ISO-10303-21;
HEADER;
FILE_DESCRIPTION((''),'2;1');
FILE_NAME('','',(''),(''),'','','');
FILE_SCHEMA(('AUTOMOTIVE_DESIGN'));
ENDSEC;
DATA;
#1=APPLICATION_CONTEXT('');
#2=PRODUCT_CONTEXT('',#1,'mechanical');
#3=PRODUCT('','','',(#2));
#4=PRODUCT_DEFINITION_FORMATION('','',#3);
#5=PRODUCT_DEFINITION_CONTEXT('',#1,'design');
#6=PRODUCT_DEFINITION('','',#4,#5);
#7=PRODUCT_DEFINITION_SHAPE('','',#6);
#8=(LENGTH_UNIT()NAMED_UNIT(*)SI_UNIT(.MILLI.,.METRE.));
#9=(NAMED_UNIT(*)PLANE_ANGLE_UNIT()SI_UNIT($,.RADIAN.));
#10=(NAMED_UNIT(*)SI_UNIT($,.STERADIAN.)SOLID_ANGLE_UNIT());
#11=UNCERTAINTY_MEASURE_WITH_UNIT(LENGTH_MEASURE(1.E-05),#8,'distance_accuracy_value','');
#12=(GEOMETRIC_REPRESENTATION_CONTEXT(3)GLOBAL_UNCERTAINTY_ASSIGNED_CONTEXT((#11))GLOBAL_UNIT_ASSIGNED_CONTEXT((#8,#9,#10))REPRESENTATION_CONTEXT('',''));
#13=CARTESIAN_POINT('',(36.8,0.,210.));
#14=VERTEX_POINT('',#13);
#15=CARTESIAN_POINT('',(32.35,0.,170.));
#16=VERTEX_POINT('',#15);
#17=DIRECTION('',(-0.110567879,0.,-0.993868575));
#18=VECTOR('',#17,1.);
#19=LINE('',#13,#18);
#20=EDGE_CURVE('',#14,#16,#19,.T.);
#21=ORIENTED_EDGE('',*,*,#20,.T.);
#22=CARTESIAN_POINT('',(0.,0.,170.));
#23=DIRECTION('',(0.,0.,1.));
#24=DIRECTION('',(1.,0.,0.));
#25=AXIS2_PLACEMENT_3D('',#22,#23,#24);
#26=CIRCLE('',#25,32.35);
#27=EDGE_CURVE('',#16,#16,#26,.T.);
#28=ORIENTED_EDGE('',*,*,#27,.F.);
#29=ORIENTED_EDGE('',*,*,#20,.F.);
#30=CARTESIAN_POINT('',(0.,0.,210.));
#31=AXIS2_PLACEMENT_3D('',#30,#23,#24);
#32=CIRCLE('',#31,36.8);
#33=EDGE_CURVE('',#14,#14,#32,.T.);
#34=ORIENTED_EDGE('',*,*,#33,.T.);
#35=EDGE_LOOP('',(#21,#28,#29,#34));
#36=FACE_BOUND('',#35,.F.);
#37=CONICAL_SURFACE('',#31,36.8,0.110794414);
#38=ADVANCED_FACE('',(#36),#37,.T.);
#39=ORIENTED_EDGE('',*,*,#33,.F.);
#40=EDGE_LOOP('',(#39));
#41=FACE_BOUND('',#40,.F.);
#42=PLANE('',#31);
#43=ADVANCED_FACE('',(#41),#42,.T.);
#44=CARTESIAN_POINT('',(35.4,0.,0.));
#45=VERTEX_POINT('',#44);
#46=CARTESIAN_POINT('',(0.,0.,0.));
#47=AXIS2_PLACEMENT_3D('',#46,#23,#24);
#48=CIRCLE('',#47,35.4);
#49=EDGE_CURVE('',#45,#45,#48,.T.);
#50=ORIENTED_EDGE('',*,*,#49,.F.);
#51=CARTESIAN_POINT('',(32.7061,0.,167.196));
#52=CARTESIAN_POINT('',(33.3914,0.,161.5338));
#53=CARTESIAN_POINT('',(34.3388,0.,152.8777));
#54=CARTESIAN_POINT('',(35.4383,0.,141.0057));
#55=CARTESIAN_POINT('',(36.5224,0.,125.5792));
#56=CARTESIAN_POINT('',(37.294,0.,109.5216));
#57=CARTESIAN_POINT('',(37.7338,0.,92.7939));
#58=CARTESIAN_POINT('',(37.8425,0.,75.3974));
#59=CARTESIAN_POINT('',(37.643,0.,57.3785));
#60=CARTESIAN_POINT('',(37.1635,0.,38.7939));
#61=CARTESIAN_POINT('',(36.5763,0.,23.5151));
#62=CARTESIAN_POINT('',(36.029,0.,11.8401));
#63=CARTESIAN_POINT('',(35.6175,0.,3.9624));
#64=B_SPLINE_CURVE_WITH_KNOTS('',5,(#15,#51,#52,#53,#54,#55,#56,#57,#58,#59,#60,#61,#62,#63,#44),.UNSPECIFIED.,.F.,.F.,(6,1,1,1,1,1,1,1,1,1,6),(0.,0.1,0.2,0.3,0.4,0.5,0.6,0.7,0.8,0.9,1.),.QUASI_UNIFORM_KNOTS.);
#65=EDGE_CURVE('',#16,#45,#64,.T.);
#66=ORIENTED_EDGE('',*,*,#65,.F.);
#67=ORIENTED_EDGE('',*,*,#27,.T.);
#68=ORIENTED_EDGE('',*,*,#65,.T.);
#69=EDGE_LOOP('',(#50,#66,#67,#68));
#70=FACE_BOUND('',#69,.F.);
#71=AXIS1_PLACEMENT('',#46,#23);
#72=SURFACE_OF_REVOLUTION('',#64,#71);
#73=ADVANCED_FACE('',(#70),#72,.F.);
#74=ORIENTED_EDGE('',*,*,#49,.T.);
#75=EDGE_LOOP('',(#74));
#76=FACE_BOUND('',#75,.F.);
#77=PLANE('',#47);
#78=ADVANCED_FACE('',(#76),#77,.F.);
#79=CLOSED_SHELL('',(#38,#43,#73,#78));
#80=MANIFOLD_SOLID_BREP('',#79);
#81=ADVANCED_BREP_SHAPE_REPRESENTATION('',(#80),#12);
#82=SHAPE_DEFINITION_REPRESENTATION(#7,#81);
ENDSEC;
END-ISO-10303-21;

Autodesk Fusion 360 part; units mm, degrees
sketch "Sketch2" plane through (0, 0, 0) normal (0, 1, 0) x (1, 0, 0)
  line L0 (0, 0) -> (0, -210)
  line L1 (0, -210) -> (36.8, -210)
  line L2 (36.8, -210) -> (32.35, -170)
  line L3 (35.4, 0) -> (0, 0)
  line L4 (32.35, -170) -> (0, -170) construction
  spline S0 degree 5 poles (32.35, -170) (32.7061, -167.196) (33.3914, -161.5338) (34.3388, -152.8777) (35.4383, -141.0057) (36.5224, -125.5792) (37.294, -109.5216) (37.7338, -92.7939) (37.8425, -75.3974) (37.643, -57.3785) (37.1635, -38.7939) (36.5763, -23.5151) (36.029, -11.8401) (35.6175, -3.9624) (35.4, 0) knots 0 0 0 0 0 0 0.1 0.2 0.3 0.4 0.5 0.6 0.7 0.8 0.9 1 1 1 1 1 1
  point P0 (37.5, -100)
  dimension "d13" = 210
  dimension "d14" = 35.4
  dimension "d15" = 36.8
  dimension "d16" = 32.35
  dimension "d18" = 170
  dimension "d20" = 37.5
  dimension "d21" = 100
revolve "Revolve1" add sketch "Sketch2" angle 360 about axis through (0, 0, 0) along (0, 0, 1)
equation "overallHeight = 210 mm"
equation "bottomDiameter = ( 70.8 / 2 ) * 1 mm"
equation "bottleCapTop = ( 73.6 / 2 ) * 1 mm"
equation "bottleCapBottom = ( 64.7 / 2 ) * 1 mm"
equation "midDiameter = ( 75 / 2 ) * 1 mm"
equation "bottleBodyHeight = 170 mm" comment "Height to Cap"
equation "midHeight = 100 mm"
equation "d13 = overallHeight"
equation "d14 = bottomDiameter"
equation "d15 = bottleCapTop"
equation "d16 = bottleCapBottom"
equation "d18 = bottleBodyHeight"
equation "d20 = midDiameter"
equation "d21 = midHeight"
